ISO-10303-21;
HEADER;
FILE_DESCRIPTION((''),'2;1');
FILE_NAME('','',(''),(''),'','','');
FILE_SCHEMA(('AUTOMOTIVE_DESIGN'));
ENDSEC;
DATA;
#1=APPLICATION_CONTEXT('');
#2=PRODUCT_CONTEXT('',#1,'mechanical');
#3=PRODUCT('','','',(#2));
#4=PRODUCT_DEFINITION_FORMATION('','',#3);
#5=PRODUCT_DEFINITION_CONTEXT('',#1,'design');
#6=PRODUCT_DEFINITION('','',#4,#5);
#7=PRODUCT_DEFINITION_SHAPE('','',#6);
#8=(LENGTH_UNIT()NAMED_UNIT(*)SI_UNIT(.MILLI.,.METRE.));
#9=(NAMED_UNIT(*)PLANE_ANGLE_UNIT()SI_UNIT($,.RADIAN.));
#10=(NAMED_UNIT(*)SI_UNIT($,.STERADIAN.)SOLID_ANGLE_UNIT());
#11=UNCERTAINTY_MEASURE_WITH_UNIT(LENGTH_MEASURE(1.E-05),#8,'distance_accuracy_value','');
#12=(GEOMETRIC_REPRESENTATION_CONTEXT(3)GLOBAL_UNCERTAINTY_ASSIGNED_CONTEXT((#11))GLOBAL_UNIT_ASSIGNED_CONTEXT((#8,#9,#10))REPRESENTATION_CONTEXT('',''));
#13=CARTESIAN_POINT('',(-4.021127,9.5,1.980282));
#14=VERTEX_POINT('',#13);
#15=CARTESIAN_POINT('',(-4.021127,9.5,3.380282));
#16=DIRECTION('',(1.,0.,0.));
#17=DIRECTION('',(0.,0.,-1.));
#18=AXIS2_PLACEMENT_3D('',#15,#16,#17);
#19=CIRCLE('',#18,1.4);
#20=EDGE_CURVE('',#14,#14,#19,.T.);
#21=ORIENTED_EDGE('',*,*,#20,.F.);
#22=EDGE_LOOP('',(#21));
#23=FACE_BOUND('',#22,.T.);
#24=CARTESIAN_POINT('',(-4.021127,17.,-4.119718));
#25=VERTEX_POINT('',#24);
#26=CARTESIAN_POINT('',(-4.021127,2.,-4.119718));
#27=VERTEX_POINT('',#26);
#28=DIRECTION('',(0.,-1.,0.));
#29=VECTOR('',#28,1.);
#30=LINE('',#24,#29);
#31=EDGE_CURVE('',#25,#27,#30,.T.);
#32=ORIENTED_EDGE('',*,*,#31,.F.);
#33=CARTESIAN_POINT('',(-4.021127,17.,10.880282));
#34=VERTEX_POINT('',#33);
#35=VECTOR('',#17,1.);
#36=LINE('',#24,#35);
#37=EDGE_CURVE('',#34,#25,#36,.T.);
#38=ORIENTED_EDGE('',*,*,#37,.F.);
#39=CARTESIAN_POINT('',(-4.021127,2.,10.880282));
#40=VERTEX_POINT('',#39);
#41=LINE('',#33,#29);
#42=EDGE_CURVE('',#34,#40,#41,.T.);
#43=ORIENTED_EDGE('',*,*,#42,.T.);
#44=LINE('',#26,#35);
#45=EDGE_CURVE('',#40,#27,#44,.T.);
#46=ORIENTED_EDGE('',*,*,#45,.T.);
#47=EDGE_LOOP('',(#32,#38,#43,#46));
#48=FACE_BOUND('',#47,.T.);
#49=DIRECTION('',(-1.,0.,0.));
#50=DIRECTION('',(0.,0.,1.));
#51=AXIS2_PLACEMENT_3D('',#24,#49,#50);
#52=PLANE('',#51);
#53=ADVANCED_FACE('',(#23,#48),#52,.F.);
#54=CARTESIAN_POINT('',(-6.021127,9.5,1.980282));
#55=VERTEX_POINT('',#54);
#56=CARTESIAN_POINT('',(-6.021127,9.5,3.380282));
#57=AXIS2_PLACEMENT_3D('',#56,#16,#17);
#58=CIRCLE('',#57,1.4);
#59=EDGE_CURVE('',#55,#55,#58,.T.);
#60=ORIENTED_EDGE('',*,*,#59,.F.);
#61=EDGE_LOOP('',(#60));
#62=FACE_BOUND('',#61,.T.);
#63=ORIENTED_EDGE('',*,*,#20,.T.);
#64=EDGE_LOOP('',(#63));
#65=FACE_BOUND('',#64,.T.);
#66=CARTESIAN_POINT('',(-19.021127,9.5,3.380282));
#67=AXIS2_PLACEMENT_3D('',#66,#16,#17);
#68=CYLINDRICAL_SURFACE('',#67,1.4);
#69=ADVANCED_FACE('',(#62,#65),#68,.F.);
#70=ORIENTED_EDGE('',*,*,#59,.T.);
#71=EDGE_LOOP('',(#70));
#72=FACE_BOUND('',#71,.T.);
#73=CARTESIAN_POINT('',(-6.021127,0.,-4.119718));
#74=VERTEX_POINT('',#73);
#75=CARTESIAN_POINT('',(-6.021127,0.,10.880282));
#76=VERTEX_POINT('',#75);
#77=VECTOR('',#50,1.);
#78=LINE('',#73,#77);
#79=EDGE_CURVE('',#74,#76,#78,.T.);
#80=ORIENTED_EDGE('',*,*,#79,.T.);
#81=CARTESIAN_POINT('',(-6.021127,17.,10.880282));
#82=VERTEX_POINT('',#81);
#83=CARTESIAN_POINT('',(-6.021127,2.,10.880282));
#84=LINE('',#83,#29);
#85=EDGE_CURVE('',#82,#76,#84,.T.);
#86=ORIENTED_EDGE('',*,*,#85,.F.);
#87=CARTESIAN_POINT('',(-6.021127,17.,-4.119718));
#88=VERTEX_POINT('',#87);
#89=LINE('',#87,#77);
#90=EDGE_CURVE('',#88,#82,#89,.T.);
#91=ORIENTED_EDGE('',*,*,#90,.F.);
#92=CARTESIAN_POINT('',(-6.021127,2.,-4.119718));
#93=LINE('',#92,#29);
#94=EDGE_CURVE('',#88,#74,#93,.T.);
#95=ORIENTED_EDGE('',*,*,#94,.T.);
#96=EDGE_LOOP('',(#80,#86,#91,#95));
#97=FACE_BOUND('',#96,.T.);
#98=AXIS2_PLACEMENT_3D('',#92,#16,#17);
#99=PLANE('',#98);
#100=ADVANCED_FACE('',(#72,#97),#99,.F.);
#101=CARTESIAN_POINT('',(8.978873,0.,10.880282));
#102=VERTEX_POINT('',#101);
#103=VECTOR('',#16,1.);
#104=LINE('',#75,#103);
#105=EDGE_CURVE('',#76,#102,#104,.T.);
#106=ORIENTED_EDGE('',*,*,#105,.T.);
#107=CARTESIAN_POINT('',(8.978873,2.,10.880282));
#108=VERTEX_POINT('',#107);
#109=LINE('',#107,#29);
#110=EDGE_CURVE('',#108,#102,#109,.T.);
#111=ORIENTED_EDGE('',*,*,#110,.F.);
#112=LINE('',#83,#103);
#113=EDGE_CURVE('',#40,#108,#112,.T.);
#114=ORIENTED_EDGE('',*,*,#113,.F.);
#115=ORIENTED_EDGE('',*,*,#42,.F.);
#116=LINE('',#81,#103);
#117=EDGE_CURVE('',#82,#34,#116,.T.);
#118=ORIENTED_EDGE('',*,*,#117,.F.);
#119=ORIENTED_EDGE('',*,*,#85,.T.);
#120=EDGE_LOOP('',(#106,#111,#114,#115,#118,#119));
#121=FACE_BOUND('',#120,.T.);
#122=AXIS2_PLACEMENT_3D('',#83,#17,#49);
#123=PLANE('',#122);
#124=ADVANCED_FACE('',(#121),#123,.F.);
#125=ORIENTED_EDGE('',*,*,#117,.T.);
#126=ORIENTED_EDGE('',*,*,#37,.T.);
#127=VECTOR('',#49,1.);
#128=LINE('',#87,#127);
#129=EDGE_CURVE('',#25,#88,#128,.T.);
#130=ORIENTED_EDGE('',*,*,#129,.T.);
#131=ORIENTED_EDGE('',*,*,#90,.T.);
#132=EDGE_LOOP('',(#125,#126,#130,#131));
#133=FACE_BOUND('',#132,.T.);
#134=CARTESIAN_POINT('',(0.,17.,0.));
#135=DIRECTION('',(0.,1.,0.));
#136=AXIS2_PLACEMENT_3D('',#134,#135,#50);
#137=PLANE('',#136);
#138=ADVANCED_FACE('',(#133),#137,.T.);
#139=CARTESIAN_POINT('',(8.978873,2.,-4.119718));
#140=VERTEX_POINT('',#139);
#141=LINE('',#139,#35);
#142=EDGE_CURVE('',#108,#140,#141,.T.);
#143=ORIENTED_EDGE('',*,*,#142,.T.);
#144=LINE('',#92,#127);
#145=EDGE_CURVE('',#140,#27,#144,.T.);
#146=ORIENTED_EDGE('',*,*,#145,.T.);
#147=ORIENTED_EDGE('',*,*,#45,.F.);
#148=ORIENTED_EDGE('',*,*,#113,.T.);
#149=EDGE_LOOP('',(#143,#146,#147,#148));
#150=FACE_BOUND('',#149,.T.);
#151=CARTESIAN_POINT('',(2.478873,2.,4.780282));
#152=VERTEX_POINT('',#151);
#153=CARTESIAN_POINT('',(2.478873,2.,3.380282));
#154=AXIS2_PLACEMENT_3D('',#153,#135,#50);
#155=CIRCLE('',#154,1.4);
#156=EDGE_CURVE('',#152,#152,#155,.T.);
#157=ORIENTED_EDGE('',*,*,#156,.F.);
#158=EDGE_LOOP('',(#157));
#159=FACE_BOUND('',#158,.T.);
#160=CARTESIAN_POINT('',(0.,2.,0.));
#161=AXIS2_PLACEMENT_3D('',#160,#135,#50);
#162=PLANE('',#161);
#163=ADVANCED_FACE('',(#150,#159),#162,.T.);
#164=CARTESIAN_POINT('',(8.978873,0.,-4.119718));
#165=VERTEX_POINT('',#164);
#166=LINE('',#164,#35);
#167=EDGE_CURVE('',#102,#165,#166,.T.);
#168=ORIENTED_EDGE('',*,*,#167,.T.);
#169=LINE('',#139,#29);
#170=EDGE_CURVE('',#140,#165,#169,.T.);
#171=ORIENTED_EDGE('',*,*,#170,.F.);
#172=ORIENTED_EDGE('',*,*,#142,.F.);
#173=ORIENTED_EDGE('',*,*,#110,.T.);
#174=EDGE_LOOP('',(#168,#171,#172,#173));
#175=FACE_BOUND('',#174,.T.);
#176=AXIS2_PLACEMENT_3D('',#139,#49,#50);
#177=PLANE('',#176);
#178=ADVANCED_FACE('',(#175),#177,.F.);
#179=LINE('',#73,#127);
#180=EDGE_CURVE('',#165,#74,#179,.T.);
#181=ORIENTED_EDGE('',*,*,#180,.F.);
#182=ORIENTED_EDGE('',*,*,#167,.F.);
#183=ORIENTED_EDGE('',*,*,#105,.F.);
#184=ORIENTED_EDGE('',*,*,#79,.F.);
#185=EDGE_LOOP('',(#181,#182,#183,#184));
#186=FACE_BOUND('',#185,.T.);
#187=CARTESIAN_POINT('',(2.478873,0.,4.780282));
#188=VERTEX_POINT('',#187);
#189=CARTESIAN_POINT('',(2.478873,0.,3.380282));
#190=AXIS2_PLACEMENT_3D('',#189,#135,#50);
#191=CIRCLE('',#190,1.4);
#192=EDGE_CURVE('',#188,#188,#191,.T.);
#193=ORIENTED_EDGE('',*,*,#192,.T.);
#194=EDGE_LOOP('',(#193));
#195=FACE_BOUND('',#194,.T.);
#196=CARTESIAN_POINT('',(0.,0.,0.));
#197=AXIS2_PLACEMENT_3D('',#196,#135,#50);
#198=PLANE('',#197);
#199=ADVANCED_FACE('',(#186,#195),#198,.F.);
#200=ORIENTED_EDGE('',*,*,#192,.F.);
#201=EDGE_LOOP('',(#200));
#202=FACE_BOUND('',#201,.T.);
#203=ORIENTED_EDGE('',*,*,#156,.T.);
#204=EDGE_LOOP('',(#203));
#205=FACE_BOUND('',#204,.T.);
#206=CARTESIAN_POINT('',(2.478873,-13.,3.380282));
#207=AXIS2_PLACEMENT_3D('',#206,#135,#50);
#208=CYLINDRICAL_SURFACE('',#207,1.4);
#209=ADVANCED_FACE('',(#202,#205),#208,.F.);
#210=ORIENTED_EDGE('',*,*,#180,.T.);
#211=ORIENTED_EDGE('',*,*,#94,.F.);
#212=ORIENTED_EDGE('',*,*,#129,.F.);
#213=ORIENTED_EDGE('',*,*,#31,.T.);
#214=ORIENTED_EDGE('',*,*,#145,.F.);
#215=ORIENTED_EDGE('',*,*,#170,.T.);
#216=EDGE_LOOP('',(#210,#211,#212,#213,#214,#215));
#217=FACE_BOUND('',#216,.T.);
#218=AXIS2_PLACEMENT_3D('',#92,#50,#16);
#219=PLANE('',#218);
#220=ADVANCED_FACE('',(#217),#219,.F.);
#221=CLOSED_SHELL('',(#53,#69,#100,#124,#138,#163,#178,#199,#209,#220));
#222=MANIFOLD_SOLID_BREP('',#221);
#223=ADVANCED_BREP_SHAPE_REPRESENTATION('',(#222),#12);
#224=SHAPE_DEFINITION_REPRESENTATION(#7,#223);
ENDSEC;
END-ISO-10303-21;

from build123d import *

# Parameters (mm, degrees)
SKETCH2_W           = 15
SKETCH2_H           = 15
BOSS_EXTRUDE1_DEPTH = 2
SKETCH3_W           = 2
SKETCH3_H           = 15
BOSS_EXTRUDE2_DEPTH = 15
SKETCH4_R           = 1.4
CUT_EXTRUDE1_DEPTH  = 15
SKETCH5_R           = 1.4
CUT_EXTRUDE2_DEPTH  = 15


with BuildPart() as part:
    # Sketch2 → Boss-Extrude1 (new body)
    with BuildSketch(Plane(origin=(0, 0, 0), x_dir=(1, 0, 0), z_dir=(0, 1, 0))):
        with Locations((1.478873239, -3.38028169)):
            Rectangle(SKETCH2_W, SKETCH2_H)
    extrude(amount=BOSS_EXTRUDE1_DEPTH)

    # Sketch3 → Boss-Extrude2 (add)
    with BuildSketch(Plane(origin=(0, 2, 0), x_dir=(1, 0, 0), z_dir=(0, 1, 0))):
        with Locations((-5.021126761, -3.38028169)):
            Rectangle(SKETCH3_W, SKETCH3_H)
    extrude(amount=BOSS_EXTRUDE2_DEPTH)

    # Sketch4 → Cut-Extrude1 (cut)
    with BuildSketch(Plane(origin=(0, 2, 0), x_dir=(1, 0, 0), z_dir=(0, 1, 0))):
        with Locations(Location((2.478873239, -3.38028169, 0), (0, 0, 270))):
            Circle(SKETCH4_R)
    extrude(amount=-CUT_EXTRUDE1_DEPTH, mode=Mode.SUBTRACT)

    # Sketch5 → Cut-Extrude2 (cut)
    with BuildSketch(Plane(origin=(-4.021126761, 0, 0), x_dir=(0, 0, -1), z_dir=(1, 0, 0))):
        with Locations((-3.38028169, 9.5)):
            Circle(SKETCH5_R)
    extrude(amount=-CUT_EXTRUDE2_DEPTH, mode=Mode.SUBTRACT)


solid = part.part
